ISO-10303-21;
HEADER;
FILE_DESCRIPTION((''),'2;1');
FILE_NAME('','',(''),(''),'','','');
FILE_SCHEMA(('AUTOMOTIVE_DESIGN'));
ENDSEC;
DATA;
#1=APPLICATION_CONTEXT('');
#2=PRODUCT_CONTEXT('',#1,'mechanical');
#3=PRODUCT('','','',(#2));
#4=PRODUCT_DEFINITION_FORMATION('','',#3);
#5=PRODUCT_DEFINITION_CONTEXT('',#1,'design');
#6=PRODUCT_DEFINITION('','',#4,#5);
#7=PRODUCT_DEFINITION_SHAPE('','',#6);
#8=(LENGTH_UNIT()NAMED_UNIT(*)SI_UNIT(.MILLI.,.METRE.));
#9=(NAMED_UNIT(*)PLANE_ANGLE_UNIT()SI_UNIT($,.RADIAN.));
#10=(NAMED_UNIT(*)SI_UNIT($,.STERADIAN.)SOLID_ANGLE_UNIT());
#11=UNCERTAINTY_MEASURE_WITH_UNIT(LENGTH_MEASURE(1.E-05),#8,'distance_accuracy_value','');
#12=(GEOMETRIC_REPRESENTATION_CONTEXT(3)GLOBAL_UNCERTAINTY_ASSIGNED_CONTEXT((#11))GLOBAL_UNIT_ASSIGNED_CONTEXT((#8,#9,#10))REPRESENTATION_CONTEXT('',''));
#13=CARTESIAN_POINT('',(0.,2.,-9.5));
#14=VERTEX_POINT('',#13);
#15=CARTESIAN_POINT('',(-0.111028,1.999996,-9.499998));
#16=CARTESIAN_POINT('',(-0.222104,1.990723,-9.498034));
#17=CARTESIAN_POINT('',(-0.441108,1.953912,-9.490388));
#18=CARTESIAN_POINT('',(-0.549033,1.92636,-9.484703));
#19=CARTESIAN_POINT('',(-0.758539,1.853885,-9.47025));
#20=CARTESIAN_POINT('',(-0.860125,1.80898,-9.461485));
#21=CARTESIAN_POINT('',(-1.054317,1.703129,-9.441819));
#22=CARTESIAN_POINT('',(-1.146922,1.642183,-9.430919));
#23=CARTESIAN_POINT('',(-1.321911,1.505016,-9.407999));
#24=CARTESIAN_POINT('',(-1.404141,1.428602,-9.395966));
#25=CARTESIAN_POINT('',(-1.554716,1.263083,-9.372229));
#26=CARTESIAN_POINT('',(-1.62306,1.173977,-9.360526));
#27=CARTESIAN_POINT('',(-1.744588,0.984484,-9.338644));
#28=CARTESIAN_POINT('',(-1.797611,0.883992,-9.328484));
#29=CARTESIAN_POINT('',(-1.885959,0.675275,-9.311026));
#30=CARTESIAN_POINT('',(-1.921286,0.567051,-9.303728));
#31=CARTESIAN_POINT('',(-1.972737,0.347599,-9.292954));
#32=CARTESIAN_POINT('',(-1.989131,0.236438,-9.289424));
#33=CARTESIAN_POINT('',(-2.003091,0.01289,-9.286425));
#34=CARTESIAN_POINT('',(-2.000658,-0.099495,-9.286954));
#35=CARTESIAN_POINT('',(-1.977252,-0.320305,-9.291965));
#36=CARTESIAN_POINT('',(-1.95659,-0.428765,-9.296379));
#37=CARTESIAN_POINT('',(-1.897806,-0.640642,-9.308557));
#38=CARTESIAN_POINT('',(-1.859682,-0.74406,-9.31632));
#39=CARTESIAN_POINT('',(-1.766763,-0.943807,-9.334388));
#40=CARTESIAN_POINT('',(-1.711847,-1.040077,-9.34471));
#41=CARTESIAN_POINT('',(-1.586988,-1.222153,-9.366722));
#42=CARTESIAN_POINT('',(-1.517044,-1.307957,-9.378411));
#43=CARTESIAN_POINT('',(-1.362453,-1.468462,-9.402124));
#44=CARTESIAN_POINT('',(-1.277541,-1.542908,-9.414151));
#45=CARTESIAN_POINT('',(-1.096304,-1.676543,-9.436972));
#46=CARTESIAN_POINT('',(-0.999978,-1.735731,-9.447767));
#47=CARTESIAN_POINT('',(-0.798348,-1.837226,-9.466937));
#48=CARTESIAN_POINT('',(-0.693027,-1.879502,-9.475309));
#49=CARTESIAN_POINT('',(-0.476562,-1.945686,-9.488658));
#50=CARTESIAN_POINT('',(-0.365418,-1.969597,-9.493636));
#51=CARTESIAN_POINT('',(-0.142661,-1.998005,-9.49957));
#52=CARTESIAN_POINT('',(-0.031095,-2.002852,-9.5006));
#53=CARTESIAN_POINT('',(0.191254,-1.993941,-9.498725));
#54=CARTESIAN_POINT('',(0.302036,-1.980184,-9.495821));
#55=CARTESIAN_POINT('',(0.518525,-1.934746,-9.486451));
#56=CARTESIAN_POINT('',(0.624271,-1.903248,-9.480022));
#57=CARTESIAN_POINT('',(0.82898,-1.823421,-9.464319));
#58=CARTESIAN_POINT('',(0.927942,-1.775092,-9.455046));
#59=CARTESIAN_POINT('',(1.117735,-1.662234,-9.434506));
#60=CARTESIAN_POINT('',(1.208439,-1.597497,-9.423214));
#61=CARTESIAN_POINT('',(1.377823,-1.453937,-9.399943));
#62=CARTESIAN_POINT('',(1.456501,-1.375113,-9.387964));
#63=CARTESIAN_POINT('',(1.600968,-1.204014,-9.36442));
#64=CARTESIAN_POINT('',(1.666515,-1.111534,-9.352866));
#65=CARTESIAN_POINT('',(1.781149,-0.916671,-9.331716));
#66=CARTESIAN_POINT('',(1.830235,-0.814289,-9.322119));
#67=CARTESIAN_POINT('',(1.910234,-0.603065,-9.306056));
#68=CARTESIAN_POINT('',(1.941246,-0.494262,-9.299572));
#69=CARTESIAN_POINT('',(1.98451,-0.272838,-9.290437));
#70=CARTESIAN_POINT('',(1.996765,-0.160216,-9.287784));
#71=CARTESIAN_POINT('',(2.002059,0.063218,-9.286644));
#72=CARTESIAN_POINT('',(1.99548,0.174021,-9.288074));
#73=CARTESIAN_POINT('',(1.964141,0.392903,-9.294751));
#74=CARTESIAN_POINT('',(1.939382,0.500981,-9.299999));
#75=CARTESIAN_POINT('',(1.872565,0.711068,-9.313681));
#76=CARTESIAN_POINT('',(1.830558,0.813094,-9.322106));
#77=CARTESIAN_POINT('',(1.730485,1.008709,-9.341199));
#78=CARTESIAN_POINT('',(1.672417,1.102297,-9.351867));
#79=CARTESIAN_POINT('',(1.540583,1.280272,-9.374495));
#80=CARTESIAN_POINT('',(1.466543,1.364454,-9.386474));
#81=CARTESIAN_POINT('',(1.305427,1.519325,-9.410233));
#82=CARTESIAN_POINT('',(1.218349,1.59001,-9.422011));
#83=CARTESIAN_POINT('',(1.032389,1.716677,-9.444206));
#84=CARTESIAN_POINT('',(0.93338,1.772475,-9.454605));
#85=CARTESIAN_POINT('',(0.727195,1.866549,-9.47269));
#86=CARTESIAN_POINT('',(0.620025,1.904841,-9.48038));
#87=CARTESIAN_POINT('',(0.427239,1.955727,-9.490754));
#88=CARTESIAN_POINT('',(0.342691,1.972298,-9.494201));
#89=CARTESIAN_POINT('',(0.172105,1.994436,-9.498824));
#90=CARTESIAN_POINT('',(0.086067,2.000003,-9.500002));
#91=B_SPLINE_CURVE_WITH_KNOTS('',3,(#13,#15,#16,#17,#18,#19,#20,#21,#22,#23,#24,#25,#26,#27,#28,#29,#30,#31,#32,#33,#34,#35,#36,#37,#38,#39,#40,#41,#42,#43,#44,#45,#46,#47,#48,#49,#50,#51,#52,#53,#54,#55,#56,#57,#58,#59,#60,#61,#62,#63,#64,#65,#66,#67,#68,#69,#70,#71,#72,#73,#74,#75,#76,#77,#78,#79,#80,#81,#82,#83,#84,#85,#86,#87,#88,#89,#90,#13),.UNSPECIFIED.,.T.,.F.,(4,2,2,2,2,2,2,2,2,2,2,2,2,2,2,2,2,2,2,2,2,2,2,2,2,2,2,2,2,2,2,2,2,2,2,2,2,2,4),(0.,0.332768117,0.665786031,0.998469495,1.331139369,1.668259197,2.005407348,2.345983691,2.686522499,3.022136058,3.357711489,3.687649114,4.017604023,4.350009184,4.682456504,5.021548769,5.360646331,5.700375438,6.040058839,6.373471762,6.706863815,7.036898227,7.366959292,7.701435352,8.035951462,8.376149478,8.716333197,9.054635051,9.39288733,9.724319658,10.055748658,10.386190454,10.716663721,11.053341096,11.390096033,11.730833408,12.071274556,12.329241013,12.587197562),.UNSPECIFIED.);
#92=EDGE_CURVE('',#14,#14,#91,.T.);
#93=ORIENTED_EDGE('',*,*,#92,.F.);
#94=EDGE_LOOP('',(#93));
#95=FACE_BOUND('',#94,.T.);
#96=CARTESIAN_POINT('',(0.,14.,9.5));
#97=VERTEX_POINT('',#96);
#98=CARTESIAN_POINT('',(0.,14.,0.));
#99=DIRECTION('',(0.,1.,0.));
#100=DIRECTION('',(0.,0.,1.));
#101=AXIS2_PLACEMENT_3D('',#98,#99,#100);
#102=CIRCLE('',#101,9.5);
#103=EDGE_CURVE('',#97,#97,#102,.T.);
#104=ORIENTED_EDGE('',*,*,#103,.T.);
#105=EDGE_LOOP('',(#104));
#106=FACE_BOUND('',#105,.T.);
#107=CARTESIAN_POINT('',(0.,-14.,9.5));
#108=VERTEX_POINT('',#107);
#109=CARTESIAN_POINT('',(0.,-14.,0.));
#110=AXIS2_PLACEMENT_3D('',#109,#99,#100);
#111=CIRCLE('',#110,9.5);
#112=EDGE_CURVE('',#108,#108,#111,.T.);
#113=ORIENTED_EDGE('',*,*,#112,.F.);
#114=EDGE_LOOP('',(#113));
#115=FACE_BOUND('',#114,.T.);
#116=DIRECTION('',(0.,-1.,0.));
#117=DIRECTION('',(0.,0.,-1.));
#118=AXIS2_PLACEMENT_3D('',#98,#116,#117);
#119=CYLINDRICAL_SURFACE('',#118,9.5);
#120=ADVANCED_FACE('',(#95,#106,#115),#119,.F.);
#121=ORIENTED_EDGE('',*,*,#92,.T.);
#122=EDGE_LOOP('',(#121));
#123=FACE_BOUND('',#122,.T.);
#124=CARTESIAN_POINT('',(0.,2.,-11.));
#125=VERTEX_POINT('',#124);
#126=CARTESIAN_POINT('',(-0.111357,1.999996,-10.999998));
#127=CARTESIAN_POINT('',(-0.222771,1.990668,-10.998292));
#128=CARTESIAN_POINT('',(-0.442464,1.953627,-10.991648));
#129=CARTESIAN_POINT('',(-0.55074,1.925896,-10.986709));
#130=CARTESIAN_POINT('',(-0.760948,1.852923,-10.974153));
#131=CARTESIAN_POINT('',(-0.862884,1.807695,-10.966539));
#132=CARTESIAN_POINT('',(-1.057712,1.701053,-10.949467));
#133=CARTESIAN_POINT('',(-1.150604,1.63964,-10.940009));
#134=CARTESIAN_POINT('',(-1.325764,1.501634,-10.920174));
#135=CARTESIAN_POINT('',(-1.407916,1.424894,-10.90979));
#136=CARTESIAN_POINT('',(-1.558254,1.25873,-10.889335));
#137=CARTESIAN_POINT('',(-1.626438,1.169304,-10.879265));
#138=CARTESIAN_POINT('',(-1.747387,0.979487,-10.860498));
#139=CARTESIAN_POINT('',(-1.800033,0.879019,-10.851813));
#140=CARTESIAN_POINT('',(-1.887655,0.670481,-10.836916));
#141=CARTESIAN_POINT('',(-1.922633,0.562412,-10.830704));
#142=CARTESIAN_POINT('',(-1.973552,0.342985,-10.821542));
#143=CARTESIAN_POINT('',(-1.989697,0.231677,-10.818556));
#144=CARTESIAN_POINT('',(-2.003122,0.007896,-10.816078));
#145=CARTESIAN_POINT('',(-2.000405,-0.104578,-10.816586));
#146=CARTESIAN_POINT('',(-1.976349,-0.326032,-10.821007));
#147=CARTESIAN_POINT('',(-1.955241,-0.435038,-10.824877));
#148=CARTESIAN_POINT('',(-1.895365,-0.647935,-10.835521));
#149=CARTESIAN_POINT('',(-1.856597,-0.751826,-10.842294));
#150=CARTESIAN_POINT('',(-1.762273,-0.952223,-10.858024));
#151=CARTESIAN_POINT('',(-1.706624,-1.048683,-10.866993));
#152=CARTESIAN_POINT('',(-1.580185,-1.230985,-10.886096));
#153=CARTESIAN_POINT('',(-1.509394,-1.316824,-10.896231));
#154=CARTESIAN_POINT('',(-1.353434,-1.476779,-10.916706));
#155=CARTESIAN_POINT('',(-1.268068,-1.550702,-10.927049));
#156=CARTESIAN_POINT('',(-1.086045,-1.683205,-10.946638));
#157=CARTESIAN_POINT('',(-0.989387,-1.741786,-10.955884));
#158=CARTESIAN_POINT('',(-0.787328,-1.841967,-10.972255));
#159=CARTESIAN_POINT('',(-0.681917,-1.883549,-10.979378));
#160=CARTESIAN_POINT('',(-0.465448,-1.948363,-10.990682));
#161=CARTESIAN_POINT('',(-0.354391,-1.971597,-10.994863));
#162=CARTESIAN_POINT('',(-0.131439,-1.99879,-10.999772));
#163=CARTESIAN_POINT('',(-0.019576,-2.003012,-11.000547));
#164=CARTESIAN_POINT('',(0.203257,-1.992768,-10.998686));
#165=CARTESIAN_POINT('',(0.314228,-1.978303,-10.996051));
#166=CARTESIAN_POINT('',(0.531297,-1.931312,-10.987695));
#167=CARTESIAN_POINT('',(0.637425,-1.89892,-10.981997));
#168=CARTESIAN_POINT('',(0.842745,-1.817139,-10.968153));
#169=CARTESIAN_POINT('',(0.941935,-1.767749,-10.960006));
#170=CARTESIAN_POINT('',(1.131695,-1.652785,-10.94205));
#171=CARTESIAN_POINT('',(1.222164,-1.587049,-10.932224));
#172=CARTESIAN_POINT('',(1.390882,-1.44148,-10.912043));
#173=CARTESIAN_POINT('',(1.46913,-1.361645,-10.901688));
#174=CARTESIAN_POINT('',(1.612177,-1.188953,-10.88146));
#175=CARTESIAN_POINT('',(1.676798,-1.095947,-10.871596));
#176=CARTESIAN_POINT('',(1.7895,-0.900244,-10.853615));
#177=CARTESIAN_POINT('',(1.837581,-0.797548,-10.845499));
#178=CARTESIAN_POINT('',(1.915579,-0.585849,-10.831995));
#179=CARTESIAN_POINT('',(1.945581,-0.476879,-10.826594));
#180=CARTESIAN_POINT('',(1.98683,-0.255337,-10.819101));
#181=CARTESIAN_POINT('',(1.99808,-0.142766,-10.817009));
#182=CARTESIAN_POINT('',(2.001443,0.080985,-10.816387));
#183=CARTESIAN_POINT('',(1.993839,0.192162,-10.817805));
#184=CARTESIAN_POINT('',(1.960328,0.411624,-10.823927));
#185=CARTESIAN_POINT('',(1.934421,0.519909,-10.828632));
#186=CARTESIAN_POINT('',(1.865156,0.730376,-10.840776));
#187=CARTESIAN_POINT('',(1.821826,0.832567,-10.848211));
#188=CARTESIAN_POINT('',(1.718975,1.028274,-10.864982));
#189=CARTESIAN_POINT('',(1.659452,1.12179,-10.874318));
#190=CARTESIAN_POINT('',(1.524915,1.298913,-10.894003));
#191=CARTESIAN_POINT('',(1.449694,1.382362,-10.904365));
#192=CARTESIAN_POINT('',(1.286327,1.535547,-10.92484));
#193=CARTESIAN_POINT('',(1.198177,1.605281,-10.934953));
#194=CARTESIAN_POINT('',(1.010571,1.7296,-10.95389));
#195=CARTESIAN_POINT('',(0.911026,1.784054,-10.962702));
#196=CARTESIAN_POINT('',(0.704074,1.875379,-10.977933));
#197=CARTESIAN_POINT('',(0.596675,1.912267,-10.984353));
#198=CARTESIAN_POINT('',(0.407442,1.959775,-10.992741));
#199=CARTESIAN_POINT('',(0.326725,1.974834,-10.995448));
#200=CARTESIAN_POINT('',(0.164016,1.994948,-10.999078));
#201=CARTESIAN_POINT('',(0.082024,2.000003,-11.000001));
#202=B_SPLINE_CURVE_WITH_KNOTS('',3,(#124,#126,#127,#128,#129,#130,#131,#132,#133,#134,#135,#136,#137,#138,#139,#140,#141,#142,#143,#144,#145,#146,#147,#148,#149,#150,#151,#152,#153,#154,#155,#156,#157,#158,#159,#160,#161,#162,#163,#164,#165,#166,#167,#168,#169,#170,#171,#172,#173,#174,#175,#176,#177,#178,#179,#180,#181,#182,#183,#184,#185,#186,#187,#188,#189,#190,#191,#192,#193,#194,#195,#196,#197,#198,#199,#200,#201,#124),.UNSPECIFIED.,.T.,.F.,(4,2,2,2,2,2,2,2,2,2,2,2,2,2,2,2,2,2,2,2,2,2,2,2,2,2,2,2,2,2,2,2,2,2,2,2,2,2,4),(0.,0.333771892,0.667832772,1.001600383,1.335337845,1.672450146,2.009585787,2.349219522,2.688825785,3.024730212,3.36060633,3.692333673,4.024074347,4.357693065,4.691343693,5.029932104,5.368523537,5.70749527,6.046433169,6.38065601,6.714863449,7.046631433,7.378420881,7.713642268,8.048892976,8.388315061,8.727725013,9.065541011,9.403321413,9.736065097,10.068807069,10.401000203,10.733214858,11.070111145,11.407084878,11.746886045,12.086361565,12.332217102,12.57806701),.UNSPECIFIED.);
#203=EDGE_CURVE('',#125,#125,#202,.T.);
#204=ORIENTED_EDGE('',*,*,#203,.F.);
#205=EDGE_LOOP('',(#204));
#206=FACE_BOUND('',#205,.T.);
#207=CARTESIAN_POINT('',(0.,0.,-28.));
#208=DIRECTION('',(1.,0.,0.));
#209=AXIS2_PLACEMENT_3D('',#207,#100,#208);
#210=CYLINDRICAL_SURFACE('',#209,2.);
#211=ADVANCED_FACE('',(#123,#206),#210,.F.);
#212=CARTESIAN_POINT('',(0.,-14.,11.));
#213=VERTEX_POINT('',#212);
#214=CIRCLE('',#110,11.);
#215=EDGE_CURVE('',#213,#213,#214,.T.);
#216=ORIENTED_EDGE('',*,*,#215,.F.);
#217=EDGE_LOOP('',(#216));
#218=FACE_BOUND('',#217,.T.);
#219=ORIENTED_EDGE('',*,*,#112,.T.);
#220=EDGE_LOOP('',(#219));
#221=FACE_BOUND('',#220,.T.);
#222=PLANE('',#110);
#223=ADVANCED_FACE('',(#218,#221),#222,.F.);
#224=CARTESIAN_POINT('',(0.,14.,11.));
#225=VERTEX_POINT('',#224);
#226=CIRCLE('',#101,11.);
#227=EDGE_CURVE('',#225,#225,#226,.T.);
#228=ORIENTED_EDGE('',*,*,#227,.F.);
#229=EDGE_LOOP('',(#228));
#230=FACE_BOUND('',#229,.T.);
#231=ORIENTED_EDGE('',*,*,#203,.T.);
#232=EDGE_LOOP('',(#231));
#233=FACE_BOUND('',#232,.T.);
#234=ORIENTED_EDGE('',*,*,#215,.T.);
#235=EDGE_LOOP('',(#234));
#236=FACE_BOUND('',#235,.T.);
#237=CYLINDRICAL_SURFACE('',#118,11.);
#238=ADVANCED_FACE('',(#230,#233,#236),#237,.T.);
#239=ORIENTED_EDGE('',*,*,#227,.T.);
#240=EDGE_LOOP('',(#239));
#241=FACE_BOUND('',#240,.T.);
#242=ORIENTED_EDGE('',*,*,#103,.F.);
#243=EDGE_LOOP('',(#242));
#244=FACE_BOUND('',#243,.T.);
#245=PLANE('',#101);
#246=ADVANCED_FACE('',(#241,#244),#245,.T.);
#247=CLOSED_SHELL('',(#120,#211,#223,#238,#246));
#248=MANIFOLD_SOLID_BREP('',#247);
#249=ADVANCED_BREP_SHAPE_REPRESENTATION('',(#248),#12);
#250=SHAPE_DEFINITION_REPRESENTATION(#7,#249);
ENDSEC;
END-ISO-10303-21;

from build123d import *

# Parameters (mm, degrees)
SKETCH1_R           = 11
SKETCH1_R_2         = 9.5
BOSS_EXTRUDE1_DEPTH = 14
SKETCH2_R           = 2
CUT_EXTRUDE1_DEPTH  = 28


with BuildPart() as part:
    # Sketch1 → Boss-Extrude1 (new, symmetric)
    with BuildSketch(Plane(origin=(0, 0, 0), x_dir=(1, 0, 0), z_dir=(0, 1, 0))):
        with Locations(Location((0, 0, 0), (0, 0, 270))):
            Circle(SKETCH1_R)
        with Locations(Location((0, 0, 0), (0, 0, 270))):
            Circle(SKETCH1_R_2, mode=Mode.SUBTRACT)
    extrude(amount=BOSS_EXTRUDE1_DEPTH, both=True)

    # Sketch2 → Cut-Extrude1 (cut)
    with BuildSketch(Plane.XY):
        with Locations(Location((0, 0, 0), (0, 0, 90))):
            Circle(SKETCH2_R)
    extrude(amount=-CUT_EXTRUDE1_DEPTH, mode=Mode.SUBTRACT)


solid = part.part
